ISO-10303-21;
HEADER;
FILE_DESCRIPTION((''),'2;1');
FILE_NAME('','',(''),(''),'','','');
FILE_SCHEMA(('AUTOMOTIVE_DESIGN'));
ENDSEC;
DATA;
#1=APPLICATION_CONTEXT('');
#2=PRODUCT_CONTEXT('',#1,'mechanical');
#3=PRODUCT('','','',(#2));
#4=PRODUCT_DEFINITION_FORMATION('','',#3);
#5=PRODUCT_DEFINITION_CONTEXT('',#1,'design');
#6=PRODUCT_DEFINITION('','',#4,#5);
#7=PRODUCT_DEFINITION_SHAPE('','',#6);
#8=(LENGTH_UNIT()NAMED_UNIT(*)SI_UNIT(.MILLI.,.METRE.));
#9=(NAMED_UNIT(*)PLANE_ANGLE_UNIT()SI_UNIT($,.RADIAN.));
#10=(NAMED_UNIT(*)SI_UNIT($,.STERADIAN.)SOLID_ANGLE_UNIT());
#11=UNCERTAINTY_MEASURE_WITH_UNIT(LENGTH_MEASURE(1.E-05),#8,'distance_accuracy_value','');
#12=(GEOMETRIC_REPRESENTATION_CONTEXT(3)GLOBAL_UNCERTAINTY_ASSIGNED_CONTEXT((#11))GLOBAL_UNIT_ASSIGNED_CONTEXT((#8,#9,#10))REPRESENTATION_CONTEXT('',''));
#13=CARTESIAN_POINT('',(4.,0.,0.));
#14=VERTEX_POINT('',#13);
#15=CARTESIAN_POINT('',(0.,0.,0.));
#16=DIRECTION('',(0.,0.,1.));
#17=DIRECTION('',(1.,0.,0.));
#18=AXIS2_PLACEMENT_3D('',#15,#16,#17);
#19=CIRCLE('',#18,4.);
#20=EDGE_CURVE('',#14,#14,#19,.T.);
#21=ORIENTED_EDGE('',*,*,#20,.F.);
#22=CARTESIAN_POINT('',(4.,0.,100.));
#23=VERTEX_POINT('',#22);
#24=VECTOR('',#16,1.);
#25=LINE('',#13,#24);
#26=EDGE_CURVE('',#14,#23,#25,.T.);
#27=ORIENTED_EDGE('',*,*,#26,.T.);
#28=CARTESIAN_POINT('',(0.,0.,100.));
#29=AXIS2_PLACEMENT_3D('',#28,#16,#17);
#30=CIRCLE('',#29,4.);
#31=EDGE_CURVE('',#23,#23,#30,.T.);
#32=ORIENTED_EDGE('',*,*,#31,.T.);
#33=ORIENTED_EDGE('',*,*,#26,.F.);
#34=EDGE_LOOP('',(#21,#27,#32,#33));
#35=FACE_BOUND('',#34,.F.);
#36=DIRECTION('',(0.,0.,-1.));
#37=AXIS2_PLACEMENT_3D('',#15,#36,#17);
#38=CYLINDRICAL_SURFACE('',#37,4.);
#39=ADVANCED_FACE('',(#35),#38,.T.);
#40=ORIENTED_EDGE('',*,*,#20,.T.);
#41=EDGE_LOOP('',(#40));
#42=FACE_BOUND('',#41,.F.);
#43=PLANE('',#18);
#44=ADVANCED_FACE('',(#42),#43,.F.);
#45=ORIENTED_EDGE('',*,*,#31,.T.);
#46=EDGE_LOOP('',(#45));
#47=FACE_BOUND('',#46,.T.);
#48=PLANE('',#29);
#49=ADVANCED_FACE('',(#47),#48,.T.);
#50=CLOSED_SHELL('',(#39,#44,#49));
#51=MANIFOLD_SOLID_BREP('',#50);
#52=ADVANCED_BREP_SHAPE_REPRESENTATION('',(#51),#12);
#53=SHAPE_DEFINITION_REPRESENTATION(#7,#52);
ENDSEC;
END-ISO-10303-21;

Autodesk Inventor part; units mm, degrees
ref_plane "YZ Plane" through (0, 0, 0) normal (1, 0, 0) x (0, 1, 0)
ref_plane "XZ Plane" through (0, 0, 0) normal (0, 1, 0) x (-1, 0, 0)
ref_plane "XY Plane" through (0, 0, 0) normal (0, 0, 1) x (1, 0, 0)
sketch "Boceto1" plane through (0, 0, 0) normal (0, 0, 1) x (1, 0, 0)
  circle A0 centre (0, 0) radius 4
  dimension "d0" = 8
extrude "Extrusión1" add sketch "Boceto1" along normal blind 100
properties part number "eje_pasante"
